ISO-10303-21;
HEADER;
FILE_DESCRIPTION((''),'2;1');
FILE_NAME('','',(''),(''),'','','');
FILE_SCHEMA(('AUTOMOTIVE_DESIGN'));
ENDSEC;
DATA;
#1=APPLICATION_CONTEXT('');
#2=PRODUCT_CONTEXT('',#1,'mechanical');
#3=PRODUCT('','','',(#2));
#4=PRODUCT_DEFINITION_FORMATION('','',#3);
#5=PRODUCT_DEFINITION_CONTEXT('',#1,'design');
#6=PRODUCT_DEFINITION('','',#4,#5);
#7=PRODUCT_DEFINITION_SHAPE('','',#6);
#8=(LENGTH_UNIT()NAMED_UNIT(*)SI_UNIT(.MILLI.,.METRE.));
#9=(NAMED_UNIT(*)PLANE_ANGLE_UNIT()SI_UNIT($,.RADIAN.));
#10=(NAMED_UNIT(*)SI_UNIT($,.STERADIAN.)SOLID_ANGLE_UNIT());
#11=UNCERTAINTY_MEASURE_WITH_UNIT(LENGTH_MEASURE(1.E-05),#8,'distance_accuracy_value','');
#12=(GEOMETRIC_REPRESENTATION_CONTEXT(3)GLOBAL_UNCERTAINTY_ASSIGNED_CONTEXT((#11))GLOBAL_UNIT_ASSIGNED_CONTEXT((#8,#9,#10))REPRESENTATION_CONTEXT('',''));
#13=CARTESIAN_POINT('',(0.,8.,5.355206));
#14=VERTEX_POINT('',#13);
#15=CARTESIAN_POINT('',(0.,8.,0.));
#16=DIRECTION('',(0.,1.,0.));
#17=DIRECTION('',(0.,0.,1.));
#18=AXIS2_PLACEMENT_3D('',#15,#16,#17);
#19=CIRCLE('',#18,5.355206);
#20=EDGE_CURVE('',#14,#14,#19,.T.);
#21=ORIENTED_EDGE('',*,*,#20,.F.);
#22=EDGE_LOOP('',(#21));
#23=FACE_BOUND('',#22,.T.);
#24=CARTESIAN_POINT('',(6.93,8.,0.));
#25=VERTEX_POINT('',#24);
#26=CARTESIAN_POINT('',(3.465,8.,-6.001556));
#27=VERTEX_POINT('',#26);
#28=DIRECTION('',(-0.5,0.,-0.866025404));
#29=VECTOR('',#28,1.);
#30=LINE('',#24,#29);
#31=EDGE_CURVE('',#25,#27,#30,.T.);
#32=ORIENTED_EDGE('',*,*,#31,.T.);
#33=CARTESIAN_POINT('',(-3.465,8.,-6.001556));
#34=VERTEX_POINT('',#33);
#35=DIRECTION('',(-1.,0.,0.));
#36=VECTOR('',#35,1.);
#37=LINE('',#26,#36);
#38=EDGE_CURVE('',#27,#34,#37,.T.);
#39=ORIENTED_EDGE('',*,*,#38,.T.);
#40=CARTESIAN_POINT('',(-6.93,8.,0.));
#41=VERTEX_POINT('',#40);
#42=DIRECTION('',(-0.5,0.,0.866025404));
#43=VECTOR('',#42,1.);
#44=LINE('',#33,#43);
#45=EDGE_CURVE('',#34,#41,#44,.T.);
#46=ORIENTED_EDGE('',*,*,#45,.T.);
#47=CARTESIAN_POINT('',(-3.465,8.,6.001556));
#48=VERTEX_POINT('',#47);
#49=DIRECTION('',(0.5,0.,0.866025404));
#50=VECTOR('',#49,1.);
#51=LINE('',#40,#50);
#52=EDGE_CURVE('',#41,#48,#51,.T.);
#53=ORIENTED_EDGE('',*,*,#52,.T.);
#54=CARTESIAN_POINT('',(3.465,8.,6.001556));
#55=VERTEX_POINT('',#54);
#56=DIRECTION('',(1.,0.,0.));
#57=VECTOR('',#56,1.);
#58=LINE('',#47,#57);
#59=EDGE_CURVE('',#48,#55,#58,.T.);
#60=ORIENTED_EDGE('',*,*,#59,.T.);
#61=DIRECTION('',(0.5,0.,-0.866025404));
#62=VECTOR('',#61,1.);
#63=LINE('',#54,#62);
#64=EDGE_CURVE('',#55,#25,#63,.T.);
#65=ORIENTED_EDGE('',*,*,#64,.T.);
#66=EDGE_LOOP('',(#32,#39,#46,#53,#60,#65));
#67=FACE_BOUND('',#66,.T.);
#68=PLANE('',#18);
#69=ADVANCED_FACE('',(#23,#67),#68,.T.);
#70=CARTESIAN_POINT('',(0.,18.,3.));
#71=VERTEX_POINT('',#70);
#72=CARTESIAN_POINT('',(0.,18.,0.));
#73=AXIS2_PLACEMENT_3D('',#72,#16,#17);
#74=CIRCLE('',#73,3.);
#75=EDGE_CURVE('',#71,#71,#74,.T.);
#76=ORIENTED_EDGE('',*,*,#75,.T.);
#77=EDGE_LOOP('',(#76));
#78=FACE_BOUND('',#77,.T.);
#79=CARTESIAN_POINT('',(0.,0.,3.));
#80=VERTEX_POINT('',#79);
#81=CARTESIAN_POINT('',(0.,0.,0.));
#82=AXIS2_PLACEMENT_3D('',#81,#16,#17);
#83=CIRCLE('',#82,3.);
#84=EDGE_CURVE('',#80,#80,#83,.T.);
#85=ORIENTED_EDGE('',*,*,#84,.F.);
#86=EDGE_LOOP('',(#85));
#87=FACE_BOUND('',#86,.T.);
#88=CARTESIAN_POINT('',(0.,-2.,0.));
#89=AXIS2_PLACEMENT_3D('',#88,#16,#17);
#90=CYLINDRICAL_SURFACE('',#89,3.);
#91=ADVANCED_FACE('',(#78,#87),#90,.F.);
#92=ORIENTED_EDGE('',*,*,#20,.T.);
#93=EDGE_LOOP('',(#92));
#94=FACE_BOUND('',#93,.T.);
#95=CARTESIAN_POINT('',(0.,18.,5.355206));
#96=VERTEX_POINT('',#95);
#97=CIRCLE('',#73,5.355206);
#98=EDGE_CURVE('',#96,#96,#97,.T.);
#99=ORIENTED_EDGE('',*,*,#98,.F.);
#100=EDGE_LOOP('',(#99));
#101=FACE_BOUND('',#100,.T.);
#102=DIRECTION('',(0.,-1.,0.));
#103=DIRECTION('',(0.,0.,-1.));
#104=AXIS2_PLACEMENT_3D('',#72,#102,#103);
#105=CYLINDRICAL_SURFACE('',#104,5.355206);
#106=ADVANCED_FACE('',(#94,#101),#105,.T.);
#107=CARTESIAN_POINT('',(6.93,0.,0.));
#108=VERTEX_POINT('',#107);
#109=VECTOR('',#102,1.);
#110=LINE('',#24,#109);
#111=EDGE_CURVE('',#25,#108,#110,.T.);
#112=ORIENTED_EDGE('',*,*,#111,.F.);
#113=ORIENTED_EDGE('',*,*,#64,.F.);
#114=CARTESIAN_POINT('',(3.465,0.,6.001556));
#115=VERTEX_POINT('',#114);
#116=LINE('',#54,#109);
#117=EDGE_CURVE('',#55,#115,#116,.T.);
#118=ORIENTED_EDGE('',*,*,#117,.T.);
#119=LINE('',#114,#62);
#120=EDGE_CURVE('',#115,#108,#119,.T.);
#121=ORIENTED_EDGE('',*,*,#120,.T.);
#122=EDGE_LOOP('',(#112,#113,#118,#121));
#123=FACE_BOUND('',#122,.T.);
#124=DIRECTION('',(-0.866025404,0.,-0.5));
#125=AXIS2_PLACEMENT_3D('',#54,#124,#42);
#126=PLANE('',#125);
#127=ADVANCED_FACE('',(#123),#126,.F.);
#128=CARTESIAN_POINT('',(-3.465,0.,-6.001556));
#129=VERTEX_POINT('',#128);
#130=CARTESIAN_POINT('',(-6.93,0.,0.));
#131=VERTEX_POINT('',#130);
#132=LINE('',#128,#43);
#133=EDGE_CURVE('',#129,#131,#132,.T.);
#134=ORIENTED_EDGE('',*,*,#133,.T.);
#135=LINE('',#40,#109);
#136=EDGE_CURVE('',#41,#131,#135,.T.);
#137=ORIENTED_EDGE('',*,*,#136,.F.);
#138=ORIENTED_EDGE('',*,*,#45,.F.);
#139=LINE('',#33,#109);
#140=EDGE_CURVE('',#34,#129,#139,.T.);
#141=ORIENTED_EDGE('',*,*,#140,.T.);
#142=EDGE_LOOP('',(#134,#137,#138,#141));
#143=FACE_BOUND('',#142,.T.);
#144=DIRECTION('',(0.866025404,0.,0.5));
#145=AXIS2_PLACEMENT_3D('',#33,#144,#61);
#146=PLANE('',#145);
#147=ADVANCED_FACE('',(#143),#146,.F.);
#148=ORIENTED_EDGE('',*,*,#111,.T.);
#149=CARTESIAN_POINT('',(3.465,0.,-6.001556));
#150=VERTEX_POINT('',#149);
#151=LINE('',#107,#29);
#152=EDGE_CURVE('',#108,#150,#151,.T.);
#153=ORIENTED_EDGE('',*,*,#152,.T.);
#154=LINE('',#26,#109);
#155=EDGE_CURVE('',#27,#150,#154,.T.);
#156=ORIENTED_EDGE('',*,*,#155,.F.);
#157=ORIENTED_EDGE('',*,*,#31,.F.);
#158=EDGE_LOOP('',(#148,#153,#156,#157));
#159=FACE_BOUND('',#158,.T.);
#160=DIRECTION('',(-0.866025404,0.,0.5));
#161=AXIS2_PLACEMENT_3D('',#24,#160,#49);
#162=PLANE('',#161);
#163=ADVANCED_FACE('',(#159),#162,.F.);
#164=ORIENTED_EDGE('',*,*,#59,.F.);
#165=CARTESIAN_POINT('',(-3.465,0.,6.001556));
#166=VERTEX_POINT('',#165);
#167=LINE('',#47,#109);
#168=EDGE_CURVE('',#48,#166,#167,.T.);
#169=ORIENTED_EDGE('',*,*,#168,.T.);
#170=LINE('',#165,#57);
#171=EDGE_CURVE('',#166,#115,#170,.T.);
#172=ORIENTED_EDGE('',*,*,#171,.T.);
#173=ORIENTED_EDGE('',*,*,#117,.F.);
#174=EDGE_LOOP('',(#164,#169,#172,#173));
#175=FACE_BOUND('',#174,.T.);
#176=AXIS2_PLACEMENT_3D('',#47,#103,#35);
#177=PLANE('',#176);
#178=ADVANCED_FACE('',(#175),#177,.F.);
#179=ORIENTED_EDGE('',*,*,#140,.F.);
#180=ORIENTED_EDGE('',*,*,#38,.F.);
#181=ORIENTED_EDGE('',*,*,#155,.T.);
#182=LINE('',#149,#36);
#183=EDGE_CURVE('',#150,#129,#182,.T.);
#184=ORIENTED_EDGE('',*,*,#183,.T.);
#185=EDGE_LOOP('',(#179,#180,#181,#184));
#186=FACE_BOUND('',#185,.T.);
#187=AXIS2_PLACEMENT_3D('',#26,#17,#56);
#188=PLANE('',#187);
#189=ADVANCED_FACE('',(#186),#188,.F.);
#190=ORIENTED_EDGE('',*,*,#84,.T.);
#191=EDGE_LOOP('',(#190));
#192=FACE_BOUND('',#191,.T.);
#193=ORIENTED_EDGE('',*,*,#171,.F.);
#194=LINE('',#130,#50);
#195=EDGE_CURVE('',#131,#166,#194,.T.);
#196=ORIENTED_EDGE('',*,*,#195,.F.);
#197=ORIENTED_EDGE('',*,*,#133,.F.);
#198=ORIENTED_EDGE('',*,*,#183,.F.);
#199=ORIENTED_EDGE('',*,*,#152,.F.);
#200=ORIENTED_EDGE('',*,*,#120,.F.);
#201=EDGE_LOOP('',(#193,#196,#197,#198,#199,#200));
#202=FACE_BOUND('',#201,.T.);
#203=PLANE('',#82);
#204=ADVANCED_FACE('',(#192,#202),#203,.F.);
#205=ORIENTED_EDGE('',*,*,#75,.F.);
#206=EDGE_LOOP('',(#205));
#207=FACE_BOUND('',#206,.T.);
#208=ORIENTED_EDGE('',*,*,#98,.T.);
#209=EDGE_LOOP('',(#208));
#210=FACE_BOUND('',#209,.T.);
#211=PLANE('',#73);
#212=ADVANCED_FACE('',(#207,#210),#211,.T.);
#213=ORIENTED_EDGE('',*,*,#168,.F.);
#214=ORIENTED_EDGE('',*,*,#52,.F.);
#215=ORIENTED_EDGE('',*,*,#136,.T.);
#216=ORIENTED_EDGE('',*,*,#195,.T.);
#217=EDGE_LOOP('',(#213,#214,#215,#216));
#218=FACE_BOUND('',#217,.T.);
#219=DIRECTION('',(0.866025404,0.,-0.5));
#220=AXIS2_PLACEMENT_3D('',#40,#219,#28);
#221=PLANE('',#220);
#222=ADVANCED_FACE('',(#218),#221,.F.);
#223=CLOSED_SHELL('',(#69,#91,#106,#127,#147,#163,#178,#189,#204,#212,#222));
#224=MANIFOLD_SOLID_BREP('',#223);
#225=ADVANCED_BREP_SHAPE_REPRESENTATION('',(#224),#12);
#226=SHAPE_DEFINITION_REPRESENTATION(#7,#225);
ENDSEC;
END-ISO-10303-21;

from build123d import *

# Parameters (mm, degrees)
BOSS_EXTRUDE1_DEPTH = 8
SKETCH3_R           = 5.355206435
BOSS_EXTRUDE2_DEPTH = 10
SKETCH4_R           = 3
CUT_EXTRUDE1_DEPTH  = 20


with BuildPart() as part:
    # Sketch2 → Boss-Extrude1 (new body)
    with BuildSketch(Plane(origin=(0, 0, 0), x_dir=(1, 0, 0), z_dir=(0, 1, 0))):
        Polygon((3.465, 6.001556048), (-3.465, 6.001556048), (-6.93, 0), (-3.465, -6.001556048), (3.465, -6.001556048), (6.93, 0), align=None)
    extrude(amount=BOSS_EXTRUDE1_DEPTH)

    # Sketch3 → Boss-Extrude2 (add)
    with BuildSketch(Plane(origin=(0, 8, 0), x_dir=(1, 0, 0), z_dir=(0, 1, 0))):
        with Locations(Location((0, 0, 0), (0, 0, 270))):
            Circle(SKETCH3_R)
    extrude(amount=BOSS_EXTRUDE2_DEPTH)

    # Sketch4 → Cut-Extrude1 (cut)
    with BuildSketch(Plane(origin=(0, 18, 0), x_dir=(1, 0, 0), z_dir=(0, 1, 0))):
        with Locations(Location((0, 0, 0), (0, 0, 270))):
            Circle(SKETCH4_R)
    extrude(amount=-CUT_EXTRUDE1_DEPTH, mode=Mode.SUBTRACT)


solid = part.part
